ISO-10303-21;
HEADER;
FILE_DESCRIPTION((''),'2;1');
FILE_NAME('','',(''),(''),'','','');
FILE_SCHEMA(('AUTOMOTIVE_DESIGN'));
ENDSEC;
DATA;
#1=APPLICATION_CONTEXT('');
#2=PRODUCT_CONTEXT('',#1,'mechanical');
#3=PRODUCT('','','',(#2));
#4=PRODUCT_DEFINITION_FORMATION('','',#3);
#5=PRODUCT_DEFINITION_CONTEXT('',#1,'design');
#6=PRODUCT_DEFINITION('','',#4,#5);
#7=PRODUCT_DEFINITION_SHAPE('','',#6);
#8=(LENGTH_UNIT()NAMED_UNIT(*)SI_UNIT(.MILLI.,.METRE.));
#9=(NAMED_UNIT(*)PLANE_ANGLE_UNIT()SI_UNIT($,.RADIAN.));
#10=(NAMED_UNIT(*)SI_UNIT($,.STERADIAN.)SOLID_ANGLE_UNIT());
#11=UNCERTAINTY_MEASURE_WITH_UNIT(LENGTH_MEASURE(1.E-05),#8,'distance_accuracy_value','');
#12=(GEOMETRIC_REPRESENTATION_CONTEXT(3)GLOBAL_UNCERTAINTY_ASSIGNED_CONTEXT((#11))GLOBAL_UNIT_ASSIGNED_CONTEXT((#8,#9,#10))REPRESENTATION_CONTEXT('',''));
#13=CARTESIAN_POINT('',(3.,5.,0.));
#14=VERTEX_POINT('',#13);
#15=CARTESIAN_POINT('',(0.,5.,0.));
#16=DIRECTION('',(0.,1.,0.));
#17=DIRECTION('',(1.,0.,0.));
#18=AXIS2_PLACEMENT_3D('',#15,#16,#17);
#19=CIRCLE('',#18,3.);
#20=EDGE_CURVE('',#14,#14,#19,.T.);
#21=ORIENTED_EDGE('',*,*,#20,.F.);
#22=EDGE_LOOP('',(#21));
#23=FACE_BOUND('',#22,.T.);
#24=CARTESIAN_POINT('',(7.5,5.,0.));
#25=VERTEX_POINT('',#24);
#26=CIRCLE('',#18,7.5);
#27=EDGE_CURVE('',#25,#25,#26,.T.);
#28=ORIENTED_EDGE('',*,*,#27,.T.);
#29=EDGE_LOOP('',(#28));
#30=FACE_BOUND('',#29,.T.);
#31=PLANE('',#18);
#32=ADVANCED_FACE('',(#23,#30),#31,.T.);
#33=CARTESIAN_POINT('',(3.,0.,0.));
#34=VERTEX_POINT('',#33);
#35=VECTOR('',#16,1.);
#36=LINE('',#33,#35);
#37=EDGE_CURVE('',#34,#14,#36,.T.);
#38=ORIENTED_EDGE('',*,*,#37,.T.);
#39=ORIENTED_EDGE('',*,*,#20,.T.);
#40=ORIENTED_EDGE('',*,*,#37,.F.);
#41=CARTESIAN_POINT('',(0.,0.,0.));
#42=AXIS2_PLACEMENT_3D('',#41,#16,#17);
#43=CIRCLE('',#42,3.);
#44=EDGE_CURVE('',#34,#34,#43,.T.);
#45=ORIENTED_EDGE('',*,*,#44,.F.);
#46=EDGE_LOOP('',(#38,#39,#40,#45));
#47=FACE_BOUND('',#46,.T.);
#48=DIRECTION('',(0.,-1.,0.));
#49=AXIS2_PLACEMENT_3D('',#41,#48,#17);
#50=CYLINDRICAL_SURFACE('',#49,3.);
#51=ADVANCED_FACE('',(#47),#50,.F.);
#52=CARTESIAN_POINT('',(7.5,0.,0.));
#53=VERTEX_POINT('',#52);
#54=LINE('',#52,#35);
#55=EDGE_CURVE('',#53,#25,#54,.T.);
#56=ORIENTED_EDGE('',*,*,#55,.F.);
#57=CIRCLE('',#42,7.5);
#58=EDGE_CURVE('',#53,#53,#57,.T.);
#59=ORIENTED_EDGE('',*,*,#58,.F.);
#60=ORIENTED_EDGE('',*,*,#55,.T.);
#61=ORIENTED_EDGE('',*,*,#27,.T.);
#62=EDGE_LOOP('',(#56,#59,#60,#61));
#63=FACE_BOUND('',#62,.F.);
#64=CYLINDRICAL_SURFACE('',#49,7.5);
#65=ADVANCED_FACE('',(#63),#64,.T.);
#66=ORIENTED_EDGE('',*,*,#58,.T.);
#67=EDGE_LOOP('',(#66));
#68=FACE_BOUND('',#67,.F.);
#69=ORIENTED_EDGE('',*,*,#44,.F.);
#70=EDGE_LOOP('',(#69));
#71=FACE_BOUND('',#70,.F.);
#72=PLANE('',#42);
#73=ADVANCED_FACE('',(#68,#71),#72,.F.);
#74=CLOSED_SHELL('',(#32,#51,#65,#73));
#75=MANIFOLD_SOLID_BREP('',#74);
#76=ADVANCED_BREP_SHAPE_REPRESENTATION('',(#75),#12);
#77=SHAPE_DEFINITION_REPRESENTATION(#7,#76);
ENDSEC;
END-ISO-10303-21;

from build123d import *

# Parameters (mm, degrees)
SKETCH1_R           = 7.5
BOSS_EXTRUDE1_DEPTH = 5
SKETCH1_3_R         = 3
CUT_EXTRUDE1_DEPTH  = 5


with BuildPart() as part:
    # Sketch1 → Boss-Extrude1 (new body)
    with BuildSketch(Plane(origin=(0, 0, 0), x_dir=(1, 0, 0), z_dir=(0, 1, 0))):
        Circle(SKETCH1_R)
    extrude(amount=BOSS_EXTRUDE1_DEPTH)

    # Sketch1<3> → Cut-Extrude1 (cut)
    with BuildSketch(Plane(origin=(0, 0, 0), x_dir=(1, 0, 0), z_dir=(0, 1, 0))):
        Circle(SKETCH1_3_R)
    extrude(amount=CUT_EXTRUDE1_DEPTH, mode=Mode.SUBTRACT)


solid = part.part
